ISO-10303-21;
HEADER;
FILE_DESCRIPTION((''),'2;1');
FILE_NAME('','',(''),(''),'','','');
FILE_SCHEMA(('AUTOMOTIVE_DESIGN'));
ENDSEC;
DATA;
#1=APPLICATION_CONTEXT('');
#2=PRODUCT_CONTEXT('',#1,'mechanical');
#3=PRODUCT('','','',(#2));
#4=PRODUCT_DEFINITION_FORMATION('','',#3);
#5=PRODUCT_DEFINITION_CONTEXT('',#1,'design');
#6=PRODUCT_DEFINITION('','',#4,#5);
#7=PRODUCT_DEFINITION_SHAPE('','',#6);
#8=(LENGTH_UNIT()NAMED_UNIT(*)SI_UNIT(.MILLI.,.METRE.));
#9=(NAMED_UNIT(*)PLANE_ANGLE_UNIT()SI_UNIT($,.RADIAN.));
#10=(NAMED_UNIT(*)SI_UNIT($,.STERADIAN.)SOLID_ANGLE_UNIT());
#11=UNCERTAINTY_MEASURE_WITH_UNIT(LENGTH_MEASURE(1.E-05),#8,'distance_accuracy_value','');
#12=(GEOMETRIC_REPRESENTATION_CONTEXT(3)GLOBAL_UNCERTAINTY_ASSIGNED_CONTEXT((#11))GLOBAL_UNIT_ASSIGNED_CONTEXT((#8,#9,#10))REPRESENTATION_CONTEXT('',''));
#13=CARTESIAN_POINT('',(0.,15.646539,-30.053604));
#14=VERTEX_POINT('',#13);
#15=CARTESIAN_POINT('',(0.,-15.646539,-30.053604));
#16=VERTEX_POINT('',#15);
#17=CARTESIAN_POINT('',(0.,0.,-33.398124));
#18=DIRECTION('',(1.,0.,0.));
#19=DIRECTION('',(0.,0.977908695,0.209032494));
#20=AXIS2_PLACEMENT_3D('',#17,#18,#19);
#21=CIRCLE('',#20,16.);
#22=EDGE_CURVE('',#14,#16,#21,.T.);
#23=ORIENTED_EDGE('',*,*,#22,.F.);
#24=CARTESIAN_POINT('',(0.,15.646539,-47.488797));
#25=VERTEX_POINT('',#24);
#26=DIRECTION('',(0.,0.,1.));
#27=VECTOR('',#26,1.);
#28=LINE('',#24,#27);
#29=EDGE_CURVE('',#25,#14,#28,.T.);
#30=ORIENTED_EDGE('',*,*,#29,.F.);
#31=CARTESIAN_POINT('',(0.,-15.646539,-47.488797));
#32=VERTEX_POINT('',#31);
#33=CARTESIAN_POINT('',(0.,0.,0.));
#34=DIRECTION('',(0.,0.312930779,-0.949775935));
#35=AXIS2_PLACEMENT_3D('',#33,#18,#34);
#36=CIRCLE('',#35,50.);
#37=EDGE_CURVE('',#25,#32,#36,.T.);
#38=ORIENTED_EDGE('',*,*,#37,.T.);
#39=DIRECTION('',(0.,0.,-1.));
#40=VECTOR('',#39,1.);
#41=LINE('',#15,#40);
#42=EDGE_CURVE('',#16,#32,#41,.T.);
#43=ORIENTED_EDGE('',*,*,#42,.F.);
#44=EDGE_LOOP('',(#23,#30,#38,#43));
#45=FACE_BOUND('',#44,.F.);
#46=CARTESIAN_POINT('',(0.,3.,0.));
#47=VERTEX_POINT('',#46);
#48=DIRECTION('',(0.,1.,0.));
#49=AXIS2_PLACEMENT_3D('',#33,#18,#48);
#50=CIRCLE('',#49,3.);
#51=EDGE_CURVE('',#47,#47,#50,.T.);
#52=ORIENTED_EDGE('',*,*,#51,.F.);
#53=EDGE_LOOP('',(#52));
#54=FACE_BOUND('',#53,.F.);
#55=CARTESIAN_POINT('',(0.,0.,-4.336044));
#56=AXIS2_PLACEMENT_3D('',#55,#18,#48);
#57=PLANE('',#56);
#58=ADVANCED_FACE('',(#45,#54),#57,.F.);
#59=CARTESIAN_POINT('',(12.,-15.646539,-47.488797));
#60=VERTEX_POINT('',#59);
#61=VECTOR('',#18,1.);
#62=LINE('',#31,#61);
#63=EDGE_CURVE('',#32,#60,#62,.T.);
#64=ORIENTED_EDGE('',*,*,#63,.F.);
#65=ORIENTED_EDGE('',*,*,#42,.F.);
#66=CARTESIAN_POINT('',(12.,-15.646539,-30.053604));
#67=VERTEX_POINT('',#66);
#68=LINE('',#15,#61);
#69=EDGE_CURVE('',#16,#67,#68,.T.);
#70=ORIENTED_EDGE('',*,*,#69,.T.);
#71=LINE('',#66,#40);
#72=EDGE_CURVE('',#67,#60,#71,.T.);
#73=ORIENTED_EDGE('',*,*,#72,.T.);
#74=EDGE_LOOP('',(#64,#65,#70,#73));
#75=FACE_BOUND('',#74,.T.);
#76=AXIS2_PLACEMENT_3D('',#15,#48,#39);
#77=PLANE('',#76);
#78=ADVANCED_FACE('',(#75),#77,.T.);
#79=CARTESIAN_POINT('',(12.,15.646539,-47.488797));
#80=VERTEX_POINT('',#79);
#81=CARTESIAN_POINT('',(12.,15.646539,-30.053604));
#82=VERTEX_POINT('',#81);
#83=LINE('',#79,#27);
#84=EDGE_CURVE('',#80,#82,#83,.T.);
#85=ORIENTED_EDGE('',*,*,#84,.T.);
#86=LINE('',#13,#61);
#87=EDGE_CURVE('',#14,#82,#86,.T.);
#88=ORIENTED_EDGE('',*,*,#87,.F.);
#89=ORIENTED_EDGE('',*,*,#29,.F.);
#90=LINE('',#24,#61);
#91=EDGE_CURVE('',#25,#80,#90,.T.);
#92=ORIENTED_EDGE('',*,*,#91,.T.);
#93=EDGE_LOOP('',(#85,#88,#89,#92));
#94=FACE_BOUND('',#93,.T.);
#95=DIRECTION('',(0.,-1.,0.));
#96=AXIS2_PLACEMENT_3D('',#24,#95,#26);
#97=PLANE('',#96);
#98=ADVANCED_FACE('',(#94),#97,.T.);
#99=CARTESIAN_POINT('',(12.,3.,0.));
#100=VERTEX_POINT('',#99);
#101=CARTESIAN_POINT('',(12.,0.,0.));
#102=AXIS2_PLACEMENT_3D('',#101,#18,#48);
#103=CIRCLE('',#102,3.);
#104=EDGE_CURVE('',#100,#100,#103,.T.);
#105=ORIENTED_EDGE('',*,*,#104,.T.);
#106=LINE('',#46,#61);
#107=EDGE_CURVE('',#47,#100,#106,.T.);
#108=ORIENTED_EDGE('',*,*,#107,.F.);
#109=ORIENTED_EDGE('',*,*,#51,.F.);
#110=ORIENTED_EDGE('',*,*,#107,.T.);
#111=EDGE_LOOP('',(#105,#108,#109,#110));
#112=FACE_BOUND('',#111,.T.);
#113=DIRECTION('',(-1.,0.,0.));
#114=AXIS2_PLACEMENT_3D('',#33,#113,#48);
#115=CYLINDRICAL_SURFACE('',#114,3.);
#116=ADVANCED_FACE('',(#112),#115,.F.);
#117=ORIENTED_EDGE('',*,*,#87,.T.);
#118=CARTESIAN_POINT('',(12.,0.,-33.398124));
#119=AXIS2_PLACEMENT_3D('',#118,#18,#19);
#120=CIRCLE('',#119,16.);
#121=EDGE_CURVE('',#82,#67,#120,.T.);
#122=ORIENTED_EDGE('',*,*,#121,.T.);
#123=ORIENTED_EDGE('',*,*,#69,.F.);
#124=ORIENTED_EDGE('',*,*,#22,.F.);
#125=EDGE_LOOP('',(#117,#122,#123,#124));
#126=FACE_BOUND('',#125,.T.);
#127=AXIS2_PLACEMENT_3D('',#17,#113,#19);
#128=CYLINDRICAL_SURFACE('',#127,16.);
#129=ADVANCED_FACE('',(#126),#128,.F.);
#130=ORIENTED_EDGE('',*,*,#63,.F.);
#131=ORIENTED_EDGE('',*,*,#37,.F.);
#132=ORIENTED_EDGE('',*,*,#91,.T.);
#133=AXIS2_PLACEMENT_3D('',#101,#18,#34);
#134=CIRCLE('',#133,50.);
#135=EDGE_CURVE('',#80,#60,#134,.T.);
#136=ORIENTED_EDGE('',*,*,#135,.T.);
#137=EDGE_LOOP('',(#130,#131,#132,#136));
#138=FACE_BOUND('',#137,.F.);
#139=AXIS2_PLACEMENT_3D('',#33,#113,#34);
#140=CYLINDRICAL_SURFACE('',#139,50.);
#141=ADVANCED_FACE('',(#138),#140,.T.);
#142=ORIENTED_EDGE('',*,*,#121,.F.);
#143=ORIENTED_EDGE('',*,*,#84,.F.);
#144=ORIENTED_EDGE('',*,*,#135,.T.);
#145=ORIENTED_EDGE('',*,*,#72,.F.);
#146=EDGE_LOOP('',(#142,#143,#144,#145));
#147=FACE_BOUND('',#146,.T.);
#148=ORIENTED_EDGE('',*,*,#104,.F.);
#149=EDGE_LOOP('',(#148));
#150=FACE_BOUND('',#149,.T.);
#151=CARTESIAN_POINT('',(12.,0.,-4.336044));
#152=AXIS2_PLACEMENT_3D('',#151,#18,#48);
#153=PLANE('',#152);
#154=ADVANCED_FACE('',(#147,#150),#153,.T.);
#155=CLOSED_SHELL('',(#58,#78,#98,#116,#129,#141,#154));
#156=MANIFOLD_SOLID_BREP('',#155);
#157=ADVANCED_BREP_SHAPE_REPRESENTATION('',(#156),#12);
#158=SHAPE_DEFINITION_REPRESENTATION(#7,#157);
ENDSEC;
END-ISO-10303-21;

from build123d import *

# Parameters (mm, degrees)
SKETCH_R  = 3
PAD_DEPTH = 12


with BuildPart() as part:
    # Sketch → Pad (new body)
    with BuildSketch(Plane.YZ):
        with BuildLine():
            ThreePointArc((15.646539, -47.488797), (0, 50), (-15.646539, -47.488797))
            Line((-15.646539, -30.053604), (-15.646539, -47.488797))
            ThreePointArc((15.646539, -30.053604), (0, -17.398124), (-15.646539, -30.053604))
            Line((15.646539, -47.488797), (15.646539, -30.053604))
        make_face()
        Circle(SKETCH_R, mode=Mode.SUBTRACT)
    extrude(amount=PAD_DEPTH)


solid = part.part
